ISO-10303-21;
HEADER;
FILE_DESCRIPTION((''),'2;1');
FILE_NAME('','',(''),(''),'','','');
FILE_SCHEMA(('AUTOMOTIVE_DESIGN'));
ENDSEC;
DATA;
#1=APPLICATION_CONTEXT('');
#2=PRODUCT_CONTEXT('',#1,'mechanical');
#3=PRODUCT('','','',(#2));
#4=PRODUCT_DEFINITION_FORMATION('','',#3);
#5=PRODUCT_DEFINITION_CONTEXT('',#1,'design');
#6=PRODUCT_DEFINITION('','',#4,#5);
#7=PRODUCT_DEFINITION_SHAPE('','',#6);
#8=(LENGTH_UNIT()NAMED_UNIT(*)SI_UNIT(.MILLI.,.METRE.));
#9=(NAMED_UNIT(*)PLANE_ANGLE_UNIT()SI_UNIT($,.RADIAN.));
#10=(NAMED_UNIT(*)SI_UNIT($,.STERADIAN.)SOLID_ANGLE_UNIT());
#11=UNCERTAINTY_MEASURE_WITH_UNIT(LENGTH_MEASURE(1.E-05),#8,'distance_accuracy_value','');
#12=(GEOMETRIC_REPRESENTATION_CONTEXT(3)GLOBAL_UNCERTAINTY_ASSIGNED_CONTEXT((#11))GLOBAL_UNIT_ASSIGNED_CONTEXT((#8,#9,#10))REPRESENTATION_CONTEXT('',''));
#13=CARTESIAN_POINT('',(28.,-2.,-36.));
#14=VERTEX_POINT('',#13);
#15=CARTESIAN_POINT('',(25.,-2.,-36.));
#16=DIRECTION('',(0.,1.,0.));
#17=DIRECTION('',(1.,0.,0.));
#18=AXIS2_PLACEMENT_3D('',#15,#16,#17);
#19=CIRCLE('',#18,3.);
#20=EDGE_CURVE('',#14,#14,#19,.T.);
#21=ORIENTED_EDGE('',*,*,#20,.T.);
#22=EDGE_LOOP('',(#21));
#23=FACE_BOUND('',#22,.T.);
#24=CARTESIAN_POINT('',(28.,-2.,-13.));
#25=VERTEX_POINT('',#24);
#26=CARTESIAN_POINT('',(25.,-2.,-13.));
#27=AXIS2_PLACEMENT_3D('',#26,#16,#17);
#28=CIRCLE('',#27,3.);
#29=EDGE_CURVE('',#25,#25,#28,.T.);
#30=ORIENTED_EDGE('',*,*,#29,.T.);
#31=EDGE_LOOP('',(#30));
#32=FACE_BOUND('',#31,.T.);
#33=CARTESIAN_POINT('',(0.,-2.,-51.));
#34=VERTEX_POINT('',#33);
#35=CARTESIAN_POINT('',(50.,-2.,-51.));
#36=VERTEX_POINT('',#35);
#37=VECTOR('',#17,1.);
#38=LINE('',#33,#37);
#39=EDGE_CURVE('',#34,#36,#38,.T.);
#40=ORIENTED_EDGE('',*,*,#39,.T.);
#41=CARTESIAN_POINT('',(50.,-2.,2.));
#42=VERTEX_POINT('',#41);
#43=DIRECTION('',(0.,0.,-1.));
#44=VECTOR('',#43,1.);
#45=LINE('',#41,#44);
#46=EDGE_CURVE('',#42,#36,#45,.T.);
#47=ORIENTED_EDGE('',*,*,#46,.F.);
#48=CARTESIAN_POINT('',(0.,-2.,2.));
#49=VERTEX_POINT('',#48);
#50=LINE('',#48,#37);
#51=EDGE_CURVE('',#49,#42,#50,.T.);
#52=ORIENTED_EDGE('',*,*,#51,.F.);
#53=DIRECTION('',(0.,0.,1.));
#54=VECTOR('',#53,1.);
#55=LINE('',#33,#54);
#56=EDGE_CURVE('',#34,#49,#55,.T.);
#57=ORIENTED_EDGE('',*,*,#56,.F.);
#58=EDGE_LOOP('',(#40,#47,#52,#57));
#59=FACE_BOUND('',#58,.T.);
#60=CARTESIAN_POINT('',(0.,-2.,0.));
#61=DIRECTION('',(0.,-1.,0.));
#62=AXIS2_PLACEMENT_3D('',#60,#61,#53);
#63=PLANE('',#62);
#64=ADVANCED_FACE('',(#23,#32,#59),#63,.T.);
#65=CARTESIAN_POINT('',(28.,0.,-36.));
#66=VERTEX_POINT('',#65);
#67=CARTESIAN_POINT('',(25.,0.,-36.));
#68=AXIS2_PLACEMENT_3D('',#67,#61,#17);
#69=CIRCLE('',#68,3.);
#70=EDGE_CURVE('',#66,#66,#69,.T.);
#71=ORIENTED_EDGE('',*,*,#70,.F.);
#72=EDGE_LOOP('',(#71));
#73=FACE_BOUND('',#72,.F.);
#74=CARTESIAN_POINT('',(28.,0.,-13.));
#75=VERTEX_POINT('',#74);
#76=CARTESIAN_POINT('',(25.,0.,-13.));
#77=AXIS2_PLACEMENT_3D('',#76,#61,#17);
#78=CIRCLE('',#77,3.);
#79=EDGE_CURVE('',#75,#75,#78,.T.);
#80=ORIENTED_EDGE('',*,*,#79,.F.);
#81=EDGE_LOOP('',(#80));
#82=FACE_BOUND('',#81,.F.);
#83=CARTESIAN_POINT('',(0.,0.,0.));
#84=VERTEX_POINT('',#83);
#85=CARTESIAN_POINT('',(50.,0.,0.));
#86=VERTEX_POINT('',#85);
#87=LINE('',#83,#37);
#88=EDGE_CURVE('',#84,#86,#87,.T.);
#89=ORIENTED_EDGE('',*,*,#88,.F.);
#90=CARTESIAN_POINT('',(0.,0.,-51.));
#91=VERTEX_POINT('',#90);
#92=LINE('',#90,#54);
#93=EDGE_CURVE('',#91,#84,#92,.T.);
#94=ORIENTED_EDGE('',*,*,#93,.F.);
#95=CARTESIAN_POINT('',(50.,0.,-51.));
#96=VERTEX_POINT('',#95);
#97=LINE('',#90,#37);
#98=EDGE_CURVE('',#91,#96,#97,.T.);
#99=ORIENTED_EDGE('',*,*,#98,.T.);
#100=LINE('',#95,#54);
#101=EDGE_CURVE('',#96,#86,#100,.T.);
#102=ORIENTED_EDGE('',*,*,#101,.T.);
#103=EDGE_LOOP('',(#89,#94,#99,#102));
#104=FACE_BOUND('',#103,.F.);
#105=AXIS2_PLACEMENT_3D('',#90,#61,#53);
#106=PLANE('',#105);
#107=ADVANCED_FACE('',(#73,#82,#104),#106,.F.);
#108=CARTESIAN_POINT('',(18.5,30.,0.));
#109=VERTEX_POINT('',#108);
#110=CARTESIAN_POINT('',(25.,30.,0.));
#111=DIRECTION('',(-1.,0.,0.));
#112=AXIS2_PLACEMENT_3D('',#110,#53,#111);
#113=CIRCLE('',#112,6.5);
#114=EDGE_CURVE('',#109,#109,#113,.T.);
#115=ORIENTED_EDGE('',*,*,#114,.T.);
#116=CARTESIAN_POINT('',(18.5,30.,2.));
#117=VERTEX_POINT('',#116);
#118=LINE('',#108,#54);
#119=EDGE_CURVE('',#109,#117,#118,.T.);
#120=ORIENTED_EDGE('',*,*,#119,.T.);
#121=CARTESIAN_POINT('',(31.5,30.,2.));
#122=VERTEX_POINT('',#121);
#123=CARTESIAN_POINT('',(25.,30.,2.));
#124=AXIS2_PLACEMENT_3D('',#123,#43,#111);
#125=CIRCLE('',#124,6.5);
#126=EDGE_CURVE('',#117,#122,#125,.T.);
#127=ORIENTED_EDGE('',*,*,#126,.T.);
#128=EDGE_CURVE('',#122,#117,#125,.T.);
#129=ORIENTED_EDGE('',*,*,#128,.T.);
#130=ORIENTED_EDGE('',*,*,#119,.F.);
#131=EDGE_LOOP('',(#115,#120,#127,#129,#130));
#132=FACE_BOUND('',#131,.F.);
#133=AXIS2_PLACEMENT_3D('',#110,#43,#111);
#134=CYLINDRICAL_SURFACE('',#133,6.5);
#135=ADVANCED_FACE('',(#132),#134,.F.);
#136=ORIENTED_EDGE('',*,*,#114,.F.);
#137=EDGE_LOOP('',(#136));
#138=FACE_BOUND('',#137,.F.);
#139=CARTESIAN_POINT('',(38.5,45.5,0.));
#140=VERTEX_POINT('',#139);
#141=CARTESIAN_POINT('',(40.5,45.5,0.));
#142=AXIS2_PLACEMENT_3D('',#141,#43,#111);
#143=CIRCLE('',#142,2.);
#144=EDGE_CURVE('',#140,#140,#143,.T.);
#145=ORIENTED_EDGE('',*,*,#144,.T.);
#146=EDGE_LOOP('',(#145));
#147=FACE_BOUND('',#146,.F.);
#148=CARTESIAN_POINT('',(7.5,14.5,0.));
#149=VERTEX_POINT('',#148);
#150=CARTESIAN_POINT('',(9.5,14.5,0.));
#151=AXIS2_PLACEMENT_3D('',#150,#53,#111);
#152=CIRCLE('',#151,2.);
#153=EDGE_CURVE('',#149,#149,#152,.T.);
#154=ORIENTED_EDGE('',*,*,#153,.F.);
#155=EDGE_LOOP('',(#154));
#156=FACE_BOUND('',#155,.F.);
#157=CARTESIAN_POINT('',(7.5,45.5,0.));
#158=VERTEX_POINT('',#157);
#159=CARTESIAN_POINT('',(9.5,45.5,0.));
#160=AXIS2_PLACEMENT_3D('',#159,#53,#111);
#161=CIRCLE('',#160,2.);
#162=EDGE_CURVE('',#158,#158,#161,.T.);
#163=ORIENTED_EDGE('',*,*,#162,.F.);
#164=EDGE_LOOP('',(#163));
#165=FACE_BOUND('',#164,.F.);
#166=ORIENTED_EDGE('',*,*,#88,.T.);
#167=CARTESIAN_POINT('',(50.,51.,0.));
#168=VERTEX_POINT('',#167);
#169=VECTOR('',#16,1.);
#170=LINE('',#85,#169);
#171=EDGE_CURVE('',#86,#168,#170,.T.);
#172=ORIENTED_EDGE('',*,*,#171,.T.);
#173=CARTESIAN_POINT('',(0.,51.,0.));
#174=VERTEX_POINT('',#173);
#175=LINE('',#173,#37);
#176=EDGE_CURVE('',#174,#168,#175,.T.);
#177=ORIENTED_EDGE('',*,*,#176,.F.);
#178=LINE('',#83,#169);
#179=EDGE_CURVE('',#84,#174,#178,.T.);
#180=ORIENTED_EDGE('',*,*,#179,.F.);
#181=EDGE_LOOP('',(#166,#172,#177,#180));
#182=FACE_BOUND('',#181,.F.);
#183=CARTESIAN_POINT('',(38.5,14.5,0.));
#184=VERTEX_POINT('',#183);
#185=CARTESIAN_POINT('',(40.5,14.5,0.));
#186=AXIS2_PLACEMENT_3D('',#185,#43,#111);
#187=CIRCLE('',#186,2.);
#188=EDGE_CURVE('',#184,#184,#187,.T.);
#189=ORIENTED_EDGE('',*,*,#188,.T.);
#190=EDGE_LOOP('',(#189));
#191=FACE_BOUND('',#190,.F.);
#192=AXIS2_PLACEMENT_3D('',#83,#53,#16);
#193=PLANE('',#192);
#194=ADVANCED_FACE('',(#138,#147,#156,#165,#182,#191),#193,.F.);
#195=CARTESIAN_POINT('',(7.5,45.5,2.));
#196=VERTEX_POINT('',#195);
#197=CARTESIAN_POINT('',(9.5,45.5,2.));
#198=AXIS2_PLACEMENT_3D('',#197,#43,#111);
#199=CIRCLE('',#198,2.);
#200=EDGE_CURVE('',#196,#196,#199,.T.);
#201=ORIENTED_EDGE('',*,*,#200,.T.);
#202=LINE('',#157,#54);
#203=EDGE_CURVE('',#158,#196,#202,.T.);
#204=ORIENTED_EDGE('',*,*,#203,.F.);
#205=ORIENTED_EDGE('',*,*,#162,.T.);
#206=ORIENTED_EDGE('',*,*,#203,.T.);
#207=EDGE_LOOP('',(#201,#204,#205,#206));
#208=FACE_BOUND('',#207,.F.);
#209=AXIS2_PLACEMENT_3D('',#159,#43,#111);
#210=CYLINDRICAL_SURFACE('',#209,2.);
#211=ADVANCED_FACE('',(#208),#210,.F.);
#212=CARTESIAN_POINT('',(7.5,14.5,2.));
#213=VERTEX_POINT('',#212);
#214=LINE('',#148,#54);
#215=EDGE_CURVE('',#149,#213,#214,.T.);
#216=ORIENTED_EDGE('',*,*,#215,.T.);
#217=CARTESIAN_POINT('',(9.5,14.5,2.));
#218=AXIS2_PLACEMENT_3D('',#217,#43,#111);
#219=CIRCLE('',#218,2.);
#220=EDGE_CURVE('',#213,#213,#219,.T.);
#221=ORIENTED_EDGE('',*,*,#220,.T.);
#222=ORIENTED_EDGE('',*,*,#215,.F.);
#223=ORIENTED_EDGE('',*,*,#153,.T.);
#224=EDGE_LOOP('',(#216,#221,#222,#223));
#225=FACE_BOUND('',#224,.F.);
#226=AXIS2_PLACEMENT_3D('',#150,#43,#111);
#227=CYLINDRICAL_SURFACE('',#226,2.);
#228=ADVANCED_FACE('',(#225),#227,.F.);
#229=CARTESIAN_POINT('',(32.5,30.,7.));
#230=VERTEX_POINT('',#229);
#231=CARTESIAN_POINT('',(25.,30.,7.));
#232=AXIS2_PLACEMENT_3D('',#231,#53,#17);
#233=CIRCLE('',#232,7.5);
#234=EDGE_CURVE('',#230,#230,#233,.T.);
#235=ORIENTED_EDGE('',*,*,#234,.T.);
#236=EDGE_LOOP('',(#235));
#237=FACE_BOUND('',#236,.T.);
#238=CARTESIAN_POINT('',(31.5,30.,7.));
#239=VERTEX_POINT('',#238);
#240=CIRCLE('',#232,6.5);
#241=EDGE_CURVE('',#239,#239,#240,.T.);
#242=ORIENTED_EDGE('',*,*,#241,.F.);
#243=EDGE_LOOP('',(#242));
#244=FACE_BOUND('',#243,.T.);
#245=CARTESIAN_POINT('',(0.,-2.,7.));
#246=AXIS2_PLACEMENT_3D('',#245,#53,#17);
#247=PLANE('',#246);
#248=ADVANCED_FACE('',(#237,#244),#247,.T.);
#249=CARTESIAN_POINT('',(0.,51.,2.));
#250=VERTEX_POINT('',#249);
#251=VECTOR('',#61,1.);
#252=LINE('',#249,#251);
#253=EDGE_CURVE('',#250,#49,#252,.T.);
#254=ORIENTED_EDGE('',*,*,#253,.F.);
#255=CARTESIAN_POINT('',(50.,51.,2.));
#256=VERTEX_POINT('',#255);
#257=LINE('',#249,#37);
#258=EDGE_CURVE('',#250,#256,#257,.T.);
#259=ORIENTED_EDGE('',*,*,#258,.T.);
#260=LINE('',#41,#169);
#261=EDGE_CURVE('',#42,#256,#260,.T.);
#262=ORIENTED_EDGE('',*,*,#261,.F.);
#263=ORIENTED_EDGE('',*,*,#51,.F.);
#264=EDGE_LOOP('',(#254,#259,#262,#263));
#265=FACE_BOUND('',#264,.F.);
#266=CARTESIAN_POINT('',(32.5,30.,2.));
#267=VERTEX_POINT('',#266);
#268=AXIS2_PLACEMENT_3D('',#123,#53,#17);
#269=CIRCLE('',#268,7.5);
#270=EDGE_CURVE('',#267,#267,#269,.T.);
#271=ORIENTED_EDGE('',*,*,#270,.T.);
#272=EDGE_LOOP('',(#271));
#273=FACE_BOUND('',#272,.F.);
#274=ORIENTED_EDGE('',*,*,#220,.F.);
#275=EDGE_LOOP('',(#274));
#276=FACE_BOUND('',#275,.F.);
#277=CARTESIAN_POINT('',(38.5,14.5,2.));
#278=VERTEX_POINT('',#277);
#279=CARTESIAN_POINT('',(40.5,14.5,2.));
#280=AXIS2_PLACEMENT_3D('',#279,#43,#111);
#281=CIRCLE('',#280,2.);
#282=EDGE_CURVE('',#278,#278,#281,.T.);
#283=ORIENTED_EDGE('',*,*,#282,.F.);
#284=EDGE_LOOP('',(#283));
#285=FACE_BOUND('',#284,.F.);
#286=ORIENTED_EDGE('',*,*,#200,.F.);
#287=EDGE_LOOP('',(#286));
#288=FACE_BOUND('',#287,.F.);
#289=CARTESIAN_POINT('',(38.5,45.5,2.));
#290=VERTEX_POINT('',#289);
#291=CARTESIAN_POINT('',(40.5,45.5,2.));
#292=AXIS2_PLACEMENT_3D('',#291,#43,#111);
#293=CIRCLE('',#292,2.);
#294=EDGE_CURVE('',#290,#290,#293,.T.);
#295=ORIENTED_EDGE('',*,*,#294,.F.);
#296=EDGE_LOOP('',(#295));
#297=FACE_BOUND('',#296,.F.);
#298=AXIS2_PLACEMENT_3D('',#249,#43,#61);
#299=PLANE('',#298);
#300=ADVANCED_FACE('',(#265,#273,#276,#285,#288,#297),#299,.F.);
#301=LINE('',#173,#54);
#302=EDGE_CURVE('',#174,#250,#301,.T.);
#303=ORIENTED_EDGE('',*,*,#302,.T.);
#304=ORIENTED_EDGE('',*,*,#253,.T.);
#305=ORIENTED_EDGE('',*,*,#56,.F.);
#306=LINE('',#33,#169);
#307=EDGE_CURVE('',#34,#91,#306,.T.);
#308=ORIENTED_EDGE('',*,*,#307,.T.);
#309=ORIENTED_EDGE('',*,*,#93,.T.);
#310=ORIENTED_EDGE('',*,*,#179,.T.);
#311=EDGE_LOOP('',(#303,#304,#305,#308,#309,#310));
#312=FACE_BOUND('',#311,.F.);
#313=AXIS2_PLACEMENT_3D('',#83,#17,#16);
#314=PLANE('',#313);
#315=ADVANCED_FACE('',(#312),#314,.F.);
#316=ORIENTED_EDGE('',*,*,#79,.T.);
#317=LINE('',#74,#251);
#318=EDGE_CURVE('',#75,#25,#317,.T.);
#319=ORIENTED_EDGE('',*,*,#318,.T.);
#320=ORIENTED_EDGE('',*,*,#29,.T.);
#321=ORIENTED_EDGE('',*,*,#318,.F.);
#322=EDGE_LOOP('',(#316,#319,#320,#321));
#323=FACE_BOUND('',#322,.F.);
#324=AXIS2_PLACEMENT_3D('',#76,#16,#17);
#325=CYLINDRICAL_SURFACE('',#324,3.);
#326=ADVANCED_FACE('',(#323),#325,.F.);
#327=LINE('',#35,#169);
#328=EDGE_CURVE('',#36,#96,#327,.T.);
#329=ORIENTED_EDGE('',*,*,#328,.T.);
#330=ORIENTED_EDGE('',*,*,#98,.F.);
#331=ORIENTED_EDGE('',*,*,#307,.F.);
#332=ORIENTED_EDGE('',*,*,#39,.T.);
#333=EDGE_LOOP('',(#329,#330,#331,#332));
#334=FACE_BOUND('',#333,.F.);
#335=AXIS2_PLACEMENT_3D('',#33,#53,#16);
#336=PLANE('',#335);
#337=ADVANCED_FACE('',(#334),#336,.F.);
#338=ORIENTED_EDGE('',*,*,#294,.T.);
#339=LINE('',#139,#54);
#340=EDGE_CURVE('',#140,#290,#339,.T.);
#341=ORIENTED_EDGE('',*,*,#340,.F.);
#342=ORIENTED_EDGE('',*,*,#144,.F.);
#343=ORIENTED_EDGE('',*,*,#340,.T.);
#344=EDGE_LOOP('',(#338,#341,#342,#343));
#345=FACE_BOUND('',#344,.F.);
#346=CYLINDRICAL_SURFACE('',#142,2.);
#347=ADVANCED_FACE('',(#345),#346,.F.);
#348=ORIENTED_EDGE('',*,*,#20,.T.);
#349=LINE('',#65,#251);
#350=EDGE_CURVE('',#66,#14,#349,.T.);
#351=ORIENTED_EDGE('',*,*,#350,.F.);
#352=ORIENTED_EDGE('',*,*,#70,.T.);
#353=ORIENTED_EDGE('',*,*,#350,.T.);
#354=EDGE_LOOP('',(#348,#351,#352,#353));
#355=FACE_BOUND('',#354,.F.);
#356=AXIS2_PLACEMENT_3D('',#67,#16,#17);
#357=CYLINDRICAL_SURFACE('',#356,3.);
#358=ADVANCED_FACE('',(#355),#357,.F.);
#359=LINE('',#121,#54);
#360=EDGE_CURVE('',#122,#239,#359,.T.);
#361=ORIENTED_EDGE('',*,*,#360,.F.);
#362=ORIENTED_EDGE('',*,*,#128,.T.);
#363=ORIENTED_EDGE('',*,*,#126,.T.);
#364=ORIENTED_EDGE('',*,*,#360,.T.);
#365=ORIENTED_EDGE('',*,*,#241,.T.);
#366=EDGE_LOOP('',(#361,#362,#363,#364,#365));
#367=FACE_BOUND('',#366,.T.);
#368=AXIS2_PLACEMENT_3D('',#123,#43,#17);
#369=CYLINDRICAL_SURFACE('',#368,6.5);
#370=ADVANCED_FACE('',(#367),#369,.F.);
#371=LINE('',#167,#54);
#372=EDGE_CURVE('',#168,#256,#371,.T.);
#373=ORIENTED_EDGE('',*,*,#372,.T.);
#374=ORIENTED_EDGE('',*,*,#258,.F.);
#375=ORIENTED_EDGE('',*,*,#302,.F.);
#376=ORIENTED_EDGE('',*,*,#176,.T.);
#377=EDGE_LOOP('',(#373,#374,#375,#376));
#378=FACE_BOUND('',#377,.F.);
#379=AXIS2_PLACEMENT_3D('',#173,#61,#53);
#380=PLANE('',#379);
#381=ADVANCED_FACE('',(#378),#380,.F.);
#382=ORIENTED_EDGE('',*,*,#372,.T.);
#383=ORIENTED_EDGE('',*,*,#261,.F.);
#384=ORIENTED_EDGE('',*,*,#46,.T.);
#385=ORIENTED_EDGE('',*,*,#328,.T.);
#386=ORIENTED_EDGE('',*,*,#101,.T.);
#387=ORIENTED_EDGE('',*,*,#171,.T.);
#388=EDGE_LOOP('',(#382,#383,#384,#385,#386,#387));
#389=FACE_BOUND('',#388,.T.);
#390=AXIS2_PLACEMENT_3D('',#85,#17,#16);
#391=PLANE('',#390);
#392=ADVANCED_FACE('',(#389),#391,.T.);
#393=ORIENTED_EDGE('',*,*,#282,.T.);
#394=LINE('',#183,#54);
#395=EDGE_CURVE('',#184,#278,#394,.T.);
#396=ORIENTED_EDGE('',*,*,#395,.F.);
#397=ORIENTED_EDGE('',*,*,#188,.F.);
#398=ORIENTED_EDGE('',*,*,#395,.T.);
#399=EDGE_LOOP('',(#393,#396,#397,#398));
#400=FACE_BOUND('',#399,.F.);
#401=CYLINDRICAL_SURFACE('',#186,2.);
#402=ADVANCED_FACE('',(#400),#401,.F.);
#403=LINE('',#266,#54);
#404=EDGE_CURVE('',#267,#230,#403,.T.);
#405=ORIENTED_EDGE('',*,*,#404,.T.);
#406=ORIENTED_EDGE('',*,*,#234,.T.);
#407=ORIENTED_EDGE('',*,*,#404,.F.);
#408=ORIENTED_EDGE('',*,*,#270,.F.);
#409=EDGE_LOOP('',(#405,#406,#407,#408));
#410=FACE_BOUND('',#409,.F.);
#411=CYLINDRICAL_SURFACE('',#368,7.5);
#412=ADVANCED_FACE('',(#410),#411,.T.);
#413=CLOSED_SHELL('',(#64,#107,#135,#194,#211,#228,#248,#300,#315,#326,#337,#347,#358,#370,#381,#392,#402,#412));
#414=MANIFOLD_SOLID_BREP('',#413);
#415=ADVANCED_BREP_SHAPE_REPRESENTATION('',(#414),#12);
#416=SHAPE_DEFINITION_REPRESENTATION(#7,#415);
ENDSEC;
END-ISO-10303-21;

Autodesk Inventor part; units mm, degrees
ref_plane "YZ Plane" through (0, 0, 0) normal (1, 0, 0) x (0, 1, 0)
ref_plane "XZ Plane" through (0, 0, 0) normal (0, 1, 0) x (-1, 0, 0)
ref_plane "XY Plane" through (0, 0, 0) normal (0, 0, 1) x (1, 0, 0)
sketch "Sketch1" plane through (0, 0, 0) normal (1, 0, 0) x (0, 1, 0)
  line L0 (0, 0) -> (51, 0)
  line L1 (51, 0) -> (51, 2)
  line L2 (51, 2) -> (0, 2)
  line L3 (-2, 0) -> (-2, -51)
  line L4 (-2, -51) -> (0, -51)
  line L5 (0, -51) -> (0, 0)
  line L6 (0, 0) -> (-2, 0)
  line L7 (-2, 0) -> (-2, 2)
  line L8 (-2, 2) -> (0, 2)
  line L9 (0, 2) -> (0, 0)
  dimension "d0" = 51
  dimension "d1" = 2
  dimension "d2" = 2
  dimension "d3" = 51
extrude "Extrusion1" add sketch "Sketch1" along normal blind 50
sketch "Sketch2" plane through (0, 0, 0) normal (0, 0, -1) x (-1, 0, 0)
  line L0 (0, 51) -> (-50, 51) projected
  line L1 (-25, 51) -> (-25, 30)
  circle A0 centre (-25, 30) radius 6.5
  line L2 (-25, 51) -> (-9.5, 51)
  line L3 (-25, 30) -> (-9.5, 30)
  line L4 (-9.5, 30) -> (-9.5, 45.5)
  line L5 (-9.5, 30) -> (-9.5, 14.5)
  circle A1 centre (-9.5, 14.5) radius 2
  circle A2 centre (-9.5, 45.5) radius 2
  circle A3 centre (-40.5, 14.5) radius 2
  circle A4 centre (-40.5, 45.5) radius 2
  point P0 (0, 0)
  dimension "d6" = 21
  dimension "d7" = 13
  dimension "d8" = 15.5
  dimension "d9" = 15.5
  dimension "d10" = 15.5
  dimension "d11" = 4
  dimension "d12" = 4
extrude "Extrusion2" cut sketch "Sketch2" against normal blind 50
sketch "Sketch3" plane through (0, 0, 0) normal (0, 1, 0) x (1, 0, 0)
  line L0 (0, 51) -> (50, 51) projected
  line L1 (25, 51) -> (25, 36)
  line L2 (25, 36) -> (25, 13)
  circle A0 centre (25, 13) radius 3
  circle A1 centre (25, 36) radius 3
  point P0 (0, 0)
  dimension "d15" = 15
  dimension "d16" = 23
  dimension "d17" = 6
  dimension "d18" = 6
extrude "Extrusion3" cut sketch "Sketch3" against normal blind 50
sketch "Sketch4" plane through (0, -2, 2) normal (0, 0, 1) x (1, 0, 0)
  circle A0 centre (25, 32) radius 6.5 projected
  circle A1 centre (25, 32) radius 7.5
  circle A2 centre (25, 32) radius 6.5
  point P0 (0, 2)
  dimension "d21" = 15
extrude "Extrusion4" add sketch "Sketch4" along normal blind 5
properties part number "NEMA17-3030-m6-holder" material "Aluminum 6061"
